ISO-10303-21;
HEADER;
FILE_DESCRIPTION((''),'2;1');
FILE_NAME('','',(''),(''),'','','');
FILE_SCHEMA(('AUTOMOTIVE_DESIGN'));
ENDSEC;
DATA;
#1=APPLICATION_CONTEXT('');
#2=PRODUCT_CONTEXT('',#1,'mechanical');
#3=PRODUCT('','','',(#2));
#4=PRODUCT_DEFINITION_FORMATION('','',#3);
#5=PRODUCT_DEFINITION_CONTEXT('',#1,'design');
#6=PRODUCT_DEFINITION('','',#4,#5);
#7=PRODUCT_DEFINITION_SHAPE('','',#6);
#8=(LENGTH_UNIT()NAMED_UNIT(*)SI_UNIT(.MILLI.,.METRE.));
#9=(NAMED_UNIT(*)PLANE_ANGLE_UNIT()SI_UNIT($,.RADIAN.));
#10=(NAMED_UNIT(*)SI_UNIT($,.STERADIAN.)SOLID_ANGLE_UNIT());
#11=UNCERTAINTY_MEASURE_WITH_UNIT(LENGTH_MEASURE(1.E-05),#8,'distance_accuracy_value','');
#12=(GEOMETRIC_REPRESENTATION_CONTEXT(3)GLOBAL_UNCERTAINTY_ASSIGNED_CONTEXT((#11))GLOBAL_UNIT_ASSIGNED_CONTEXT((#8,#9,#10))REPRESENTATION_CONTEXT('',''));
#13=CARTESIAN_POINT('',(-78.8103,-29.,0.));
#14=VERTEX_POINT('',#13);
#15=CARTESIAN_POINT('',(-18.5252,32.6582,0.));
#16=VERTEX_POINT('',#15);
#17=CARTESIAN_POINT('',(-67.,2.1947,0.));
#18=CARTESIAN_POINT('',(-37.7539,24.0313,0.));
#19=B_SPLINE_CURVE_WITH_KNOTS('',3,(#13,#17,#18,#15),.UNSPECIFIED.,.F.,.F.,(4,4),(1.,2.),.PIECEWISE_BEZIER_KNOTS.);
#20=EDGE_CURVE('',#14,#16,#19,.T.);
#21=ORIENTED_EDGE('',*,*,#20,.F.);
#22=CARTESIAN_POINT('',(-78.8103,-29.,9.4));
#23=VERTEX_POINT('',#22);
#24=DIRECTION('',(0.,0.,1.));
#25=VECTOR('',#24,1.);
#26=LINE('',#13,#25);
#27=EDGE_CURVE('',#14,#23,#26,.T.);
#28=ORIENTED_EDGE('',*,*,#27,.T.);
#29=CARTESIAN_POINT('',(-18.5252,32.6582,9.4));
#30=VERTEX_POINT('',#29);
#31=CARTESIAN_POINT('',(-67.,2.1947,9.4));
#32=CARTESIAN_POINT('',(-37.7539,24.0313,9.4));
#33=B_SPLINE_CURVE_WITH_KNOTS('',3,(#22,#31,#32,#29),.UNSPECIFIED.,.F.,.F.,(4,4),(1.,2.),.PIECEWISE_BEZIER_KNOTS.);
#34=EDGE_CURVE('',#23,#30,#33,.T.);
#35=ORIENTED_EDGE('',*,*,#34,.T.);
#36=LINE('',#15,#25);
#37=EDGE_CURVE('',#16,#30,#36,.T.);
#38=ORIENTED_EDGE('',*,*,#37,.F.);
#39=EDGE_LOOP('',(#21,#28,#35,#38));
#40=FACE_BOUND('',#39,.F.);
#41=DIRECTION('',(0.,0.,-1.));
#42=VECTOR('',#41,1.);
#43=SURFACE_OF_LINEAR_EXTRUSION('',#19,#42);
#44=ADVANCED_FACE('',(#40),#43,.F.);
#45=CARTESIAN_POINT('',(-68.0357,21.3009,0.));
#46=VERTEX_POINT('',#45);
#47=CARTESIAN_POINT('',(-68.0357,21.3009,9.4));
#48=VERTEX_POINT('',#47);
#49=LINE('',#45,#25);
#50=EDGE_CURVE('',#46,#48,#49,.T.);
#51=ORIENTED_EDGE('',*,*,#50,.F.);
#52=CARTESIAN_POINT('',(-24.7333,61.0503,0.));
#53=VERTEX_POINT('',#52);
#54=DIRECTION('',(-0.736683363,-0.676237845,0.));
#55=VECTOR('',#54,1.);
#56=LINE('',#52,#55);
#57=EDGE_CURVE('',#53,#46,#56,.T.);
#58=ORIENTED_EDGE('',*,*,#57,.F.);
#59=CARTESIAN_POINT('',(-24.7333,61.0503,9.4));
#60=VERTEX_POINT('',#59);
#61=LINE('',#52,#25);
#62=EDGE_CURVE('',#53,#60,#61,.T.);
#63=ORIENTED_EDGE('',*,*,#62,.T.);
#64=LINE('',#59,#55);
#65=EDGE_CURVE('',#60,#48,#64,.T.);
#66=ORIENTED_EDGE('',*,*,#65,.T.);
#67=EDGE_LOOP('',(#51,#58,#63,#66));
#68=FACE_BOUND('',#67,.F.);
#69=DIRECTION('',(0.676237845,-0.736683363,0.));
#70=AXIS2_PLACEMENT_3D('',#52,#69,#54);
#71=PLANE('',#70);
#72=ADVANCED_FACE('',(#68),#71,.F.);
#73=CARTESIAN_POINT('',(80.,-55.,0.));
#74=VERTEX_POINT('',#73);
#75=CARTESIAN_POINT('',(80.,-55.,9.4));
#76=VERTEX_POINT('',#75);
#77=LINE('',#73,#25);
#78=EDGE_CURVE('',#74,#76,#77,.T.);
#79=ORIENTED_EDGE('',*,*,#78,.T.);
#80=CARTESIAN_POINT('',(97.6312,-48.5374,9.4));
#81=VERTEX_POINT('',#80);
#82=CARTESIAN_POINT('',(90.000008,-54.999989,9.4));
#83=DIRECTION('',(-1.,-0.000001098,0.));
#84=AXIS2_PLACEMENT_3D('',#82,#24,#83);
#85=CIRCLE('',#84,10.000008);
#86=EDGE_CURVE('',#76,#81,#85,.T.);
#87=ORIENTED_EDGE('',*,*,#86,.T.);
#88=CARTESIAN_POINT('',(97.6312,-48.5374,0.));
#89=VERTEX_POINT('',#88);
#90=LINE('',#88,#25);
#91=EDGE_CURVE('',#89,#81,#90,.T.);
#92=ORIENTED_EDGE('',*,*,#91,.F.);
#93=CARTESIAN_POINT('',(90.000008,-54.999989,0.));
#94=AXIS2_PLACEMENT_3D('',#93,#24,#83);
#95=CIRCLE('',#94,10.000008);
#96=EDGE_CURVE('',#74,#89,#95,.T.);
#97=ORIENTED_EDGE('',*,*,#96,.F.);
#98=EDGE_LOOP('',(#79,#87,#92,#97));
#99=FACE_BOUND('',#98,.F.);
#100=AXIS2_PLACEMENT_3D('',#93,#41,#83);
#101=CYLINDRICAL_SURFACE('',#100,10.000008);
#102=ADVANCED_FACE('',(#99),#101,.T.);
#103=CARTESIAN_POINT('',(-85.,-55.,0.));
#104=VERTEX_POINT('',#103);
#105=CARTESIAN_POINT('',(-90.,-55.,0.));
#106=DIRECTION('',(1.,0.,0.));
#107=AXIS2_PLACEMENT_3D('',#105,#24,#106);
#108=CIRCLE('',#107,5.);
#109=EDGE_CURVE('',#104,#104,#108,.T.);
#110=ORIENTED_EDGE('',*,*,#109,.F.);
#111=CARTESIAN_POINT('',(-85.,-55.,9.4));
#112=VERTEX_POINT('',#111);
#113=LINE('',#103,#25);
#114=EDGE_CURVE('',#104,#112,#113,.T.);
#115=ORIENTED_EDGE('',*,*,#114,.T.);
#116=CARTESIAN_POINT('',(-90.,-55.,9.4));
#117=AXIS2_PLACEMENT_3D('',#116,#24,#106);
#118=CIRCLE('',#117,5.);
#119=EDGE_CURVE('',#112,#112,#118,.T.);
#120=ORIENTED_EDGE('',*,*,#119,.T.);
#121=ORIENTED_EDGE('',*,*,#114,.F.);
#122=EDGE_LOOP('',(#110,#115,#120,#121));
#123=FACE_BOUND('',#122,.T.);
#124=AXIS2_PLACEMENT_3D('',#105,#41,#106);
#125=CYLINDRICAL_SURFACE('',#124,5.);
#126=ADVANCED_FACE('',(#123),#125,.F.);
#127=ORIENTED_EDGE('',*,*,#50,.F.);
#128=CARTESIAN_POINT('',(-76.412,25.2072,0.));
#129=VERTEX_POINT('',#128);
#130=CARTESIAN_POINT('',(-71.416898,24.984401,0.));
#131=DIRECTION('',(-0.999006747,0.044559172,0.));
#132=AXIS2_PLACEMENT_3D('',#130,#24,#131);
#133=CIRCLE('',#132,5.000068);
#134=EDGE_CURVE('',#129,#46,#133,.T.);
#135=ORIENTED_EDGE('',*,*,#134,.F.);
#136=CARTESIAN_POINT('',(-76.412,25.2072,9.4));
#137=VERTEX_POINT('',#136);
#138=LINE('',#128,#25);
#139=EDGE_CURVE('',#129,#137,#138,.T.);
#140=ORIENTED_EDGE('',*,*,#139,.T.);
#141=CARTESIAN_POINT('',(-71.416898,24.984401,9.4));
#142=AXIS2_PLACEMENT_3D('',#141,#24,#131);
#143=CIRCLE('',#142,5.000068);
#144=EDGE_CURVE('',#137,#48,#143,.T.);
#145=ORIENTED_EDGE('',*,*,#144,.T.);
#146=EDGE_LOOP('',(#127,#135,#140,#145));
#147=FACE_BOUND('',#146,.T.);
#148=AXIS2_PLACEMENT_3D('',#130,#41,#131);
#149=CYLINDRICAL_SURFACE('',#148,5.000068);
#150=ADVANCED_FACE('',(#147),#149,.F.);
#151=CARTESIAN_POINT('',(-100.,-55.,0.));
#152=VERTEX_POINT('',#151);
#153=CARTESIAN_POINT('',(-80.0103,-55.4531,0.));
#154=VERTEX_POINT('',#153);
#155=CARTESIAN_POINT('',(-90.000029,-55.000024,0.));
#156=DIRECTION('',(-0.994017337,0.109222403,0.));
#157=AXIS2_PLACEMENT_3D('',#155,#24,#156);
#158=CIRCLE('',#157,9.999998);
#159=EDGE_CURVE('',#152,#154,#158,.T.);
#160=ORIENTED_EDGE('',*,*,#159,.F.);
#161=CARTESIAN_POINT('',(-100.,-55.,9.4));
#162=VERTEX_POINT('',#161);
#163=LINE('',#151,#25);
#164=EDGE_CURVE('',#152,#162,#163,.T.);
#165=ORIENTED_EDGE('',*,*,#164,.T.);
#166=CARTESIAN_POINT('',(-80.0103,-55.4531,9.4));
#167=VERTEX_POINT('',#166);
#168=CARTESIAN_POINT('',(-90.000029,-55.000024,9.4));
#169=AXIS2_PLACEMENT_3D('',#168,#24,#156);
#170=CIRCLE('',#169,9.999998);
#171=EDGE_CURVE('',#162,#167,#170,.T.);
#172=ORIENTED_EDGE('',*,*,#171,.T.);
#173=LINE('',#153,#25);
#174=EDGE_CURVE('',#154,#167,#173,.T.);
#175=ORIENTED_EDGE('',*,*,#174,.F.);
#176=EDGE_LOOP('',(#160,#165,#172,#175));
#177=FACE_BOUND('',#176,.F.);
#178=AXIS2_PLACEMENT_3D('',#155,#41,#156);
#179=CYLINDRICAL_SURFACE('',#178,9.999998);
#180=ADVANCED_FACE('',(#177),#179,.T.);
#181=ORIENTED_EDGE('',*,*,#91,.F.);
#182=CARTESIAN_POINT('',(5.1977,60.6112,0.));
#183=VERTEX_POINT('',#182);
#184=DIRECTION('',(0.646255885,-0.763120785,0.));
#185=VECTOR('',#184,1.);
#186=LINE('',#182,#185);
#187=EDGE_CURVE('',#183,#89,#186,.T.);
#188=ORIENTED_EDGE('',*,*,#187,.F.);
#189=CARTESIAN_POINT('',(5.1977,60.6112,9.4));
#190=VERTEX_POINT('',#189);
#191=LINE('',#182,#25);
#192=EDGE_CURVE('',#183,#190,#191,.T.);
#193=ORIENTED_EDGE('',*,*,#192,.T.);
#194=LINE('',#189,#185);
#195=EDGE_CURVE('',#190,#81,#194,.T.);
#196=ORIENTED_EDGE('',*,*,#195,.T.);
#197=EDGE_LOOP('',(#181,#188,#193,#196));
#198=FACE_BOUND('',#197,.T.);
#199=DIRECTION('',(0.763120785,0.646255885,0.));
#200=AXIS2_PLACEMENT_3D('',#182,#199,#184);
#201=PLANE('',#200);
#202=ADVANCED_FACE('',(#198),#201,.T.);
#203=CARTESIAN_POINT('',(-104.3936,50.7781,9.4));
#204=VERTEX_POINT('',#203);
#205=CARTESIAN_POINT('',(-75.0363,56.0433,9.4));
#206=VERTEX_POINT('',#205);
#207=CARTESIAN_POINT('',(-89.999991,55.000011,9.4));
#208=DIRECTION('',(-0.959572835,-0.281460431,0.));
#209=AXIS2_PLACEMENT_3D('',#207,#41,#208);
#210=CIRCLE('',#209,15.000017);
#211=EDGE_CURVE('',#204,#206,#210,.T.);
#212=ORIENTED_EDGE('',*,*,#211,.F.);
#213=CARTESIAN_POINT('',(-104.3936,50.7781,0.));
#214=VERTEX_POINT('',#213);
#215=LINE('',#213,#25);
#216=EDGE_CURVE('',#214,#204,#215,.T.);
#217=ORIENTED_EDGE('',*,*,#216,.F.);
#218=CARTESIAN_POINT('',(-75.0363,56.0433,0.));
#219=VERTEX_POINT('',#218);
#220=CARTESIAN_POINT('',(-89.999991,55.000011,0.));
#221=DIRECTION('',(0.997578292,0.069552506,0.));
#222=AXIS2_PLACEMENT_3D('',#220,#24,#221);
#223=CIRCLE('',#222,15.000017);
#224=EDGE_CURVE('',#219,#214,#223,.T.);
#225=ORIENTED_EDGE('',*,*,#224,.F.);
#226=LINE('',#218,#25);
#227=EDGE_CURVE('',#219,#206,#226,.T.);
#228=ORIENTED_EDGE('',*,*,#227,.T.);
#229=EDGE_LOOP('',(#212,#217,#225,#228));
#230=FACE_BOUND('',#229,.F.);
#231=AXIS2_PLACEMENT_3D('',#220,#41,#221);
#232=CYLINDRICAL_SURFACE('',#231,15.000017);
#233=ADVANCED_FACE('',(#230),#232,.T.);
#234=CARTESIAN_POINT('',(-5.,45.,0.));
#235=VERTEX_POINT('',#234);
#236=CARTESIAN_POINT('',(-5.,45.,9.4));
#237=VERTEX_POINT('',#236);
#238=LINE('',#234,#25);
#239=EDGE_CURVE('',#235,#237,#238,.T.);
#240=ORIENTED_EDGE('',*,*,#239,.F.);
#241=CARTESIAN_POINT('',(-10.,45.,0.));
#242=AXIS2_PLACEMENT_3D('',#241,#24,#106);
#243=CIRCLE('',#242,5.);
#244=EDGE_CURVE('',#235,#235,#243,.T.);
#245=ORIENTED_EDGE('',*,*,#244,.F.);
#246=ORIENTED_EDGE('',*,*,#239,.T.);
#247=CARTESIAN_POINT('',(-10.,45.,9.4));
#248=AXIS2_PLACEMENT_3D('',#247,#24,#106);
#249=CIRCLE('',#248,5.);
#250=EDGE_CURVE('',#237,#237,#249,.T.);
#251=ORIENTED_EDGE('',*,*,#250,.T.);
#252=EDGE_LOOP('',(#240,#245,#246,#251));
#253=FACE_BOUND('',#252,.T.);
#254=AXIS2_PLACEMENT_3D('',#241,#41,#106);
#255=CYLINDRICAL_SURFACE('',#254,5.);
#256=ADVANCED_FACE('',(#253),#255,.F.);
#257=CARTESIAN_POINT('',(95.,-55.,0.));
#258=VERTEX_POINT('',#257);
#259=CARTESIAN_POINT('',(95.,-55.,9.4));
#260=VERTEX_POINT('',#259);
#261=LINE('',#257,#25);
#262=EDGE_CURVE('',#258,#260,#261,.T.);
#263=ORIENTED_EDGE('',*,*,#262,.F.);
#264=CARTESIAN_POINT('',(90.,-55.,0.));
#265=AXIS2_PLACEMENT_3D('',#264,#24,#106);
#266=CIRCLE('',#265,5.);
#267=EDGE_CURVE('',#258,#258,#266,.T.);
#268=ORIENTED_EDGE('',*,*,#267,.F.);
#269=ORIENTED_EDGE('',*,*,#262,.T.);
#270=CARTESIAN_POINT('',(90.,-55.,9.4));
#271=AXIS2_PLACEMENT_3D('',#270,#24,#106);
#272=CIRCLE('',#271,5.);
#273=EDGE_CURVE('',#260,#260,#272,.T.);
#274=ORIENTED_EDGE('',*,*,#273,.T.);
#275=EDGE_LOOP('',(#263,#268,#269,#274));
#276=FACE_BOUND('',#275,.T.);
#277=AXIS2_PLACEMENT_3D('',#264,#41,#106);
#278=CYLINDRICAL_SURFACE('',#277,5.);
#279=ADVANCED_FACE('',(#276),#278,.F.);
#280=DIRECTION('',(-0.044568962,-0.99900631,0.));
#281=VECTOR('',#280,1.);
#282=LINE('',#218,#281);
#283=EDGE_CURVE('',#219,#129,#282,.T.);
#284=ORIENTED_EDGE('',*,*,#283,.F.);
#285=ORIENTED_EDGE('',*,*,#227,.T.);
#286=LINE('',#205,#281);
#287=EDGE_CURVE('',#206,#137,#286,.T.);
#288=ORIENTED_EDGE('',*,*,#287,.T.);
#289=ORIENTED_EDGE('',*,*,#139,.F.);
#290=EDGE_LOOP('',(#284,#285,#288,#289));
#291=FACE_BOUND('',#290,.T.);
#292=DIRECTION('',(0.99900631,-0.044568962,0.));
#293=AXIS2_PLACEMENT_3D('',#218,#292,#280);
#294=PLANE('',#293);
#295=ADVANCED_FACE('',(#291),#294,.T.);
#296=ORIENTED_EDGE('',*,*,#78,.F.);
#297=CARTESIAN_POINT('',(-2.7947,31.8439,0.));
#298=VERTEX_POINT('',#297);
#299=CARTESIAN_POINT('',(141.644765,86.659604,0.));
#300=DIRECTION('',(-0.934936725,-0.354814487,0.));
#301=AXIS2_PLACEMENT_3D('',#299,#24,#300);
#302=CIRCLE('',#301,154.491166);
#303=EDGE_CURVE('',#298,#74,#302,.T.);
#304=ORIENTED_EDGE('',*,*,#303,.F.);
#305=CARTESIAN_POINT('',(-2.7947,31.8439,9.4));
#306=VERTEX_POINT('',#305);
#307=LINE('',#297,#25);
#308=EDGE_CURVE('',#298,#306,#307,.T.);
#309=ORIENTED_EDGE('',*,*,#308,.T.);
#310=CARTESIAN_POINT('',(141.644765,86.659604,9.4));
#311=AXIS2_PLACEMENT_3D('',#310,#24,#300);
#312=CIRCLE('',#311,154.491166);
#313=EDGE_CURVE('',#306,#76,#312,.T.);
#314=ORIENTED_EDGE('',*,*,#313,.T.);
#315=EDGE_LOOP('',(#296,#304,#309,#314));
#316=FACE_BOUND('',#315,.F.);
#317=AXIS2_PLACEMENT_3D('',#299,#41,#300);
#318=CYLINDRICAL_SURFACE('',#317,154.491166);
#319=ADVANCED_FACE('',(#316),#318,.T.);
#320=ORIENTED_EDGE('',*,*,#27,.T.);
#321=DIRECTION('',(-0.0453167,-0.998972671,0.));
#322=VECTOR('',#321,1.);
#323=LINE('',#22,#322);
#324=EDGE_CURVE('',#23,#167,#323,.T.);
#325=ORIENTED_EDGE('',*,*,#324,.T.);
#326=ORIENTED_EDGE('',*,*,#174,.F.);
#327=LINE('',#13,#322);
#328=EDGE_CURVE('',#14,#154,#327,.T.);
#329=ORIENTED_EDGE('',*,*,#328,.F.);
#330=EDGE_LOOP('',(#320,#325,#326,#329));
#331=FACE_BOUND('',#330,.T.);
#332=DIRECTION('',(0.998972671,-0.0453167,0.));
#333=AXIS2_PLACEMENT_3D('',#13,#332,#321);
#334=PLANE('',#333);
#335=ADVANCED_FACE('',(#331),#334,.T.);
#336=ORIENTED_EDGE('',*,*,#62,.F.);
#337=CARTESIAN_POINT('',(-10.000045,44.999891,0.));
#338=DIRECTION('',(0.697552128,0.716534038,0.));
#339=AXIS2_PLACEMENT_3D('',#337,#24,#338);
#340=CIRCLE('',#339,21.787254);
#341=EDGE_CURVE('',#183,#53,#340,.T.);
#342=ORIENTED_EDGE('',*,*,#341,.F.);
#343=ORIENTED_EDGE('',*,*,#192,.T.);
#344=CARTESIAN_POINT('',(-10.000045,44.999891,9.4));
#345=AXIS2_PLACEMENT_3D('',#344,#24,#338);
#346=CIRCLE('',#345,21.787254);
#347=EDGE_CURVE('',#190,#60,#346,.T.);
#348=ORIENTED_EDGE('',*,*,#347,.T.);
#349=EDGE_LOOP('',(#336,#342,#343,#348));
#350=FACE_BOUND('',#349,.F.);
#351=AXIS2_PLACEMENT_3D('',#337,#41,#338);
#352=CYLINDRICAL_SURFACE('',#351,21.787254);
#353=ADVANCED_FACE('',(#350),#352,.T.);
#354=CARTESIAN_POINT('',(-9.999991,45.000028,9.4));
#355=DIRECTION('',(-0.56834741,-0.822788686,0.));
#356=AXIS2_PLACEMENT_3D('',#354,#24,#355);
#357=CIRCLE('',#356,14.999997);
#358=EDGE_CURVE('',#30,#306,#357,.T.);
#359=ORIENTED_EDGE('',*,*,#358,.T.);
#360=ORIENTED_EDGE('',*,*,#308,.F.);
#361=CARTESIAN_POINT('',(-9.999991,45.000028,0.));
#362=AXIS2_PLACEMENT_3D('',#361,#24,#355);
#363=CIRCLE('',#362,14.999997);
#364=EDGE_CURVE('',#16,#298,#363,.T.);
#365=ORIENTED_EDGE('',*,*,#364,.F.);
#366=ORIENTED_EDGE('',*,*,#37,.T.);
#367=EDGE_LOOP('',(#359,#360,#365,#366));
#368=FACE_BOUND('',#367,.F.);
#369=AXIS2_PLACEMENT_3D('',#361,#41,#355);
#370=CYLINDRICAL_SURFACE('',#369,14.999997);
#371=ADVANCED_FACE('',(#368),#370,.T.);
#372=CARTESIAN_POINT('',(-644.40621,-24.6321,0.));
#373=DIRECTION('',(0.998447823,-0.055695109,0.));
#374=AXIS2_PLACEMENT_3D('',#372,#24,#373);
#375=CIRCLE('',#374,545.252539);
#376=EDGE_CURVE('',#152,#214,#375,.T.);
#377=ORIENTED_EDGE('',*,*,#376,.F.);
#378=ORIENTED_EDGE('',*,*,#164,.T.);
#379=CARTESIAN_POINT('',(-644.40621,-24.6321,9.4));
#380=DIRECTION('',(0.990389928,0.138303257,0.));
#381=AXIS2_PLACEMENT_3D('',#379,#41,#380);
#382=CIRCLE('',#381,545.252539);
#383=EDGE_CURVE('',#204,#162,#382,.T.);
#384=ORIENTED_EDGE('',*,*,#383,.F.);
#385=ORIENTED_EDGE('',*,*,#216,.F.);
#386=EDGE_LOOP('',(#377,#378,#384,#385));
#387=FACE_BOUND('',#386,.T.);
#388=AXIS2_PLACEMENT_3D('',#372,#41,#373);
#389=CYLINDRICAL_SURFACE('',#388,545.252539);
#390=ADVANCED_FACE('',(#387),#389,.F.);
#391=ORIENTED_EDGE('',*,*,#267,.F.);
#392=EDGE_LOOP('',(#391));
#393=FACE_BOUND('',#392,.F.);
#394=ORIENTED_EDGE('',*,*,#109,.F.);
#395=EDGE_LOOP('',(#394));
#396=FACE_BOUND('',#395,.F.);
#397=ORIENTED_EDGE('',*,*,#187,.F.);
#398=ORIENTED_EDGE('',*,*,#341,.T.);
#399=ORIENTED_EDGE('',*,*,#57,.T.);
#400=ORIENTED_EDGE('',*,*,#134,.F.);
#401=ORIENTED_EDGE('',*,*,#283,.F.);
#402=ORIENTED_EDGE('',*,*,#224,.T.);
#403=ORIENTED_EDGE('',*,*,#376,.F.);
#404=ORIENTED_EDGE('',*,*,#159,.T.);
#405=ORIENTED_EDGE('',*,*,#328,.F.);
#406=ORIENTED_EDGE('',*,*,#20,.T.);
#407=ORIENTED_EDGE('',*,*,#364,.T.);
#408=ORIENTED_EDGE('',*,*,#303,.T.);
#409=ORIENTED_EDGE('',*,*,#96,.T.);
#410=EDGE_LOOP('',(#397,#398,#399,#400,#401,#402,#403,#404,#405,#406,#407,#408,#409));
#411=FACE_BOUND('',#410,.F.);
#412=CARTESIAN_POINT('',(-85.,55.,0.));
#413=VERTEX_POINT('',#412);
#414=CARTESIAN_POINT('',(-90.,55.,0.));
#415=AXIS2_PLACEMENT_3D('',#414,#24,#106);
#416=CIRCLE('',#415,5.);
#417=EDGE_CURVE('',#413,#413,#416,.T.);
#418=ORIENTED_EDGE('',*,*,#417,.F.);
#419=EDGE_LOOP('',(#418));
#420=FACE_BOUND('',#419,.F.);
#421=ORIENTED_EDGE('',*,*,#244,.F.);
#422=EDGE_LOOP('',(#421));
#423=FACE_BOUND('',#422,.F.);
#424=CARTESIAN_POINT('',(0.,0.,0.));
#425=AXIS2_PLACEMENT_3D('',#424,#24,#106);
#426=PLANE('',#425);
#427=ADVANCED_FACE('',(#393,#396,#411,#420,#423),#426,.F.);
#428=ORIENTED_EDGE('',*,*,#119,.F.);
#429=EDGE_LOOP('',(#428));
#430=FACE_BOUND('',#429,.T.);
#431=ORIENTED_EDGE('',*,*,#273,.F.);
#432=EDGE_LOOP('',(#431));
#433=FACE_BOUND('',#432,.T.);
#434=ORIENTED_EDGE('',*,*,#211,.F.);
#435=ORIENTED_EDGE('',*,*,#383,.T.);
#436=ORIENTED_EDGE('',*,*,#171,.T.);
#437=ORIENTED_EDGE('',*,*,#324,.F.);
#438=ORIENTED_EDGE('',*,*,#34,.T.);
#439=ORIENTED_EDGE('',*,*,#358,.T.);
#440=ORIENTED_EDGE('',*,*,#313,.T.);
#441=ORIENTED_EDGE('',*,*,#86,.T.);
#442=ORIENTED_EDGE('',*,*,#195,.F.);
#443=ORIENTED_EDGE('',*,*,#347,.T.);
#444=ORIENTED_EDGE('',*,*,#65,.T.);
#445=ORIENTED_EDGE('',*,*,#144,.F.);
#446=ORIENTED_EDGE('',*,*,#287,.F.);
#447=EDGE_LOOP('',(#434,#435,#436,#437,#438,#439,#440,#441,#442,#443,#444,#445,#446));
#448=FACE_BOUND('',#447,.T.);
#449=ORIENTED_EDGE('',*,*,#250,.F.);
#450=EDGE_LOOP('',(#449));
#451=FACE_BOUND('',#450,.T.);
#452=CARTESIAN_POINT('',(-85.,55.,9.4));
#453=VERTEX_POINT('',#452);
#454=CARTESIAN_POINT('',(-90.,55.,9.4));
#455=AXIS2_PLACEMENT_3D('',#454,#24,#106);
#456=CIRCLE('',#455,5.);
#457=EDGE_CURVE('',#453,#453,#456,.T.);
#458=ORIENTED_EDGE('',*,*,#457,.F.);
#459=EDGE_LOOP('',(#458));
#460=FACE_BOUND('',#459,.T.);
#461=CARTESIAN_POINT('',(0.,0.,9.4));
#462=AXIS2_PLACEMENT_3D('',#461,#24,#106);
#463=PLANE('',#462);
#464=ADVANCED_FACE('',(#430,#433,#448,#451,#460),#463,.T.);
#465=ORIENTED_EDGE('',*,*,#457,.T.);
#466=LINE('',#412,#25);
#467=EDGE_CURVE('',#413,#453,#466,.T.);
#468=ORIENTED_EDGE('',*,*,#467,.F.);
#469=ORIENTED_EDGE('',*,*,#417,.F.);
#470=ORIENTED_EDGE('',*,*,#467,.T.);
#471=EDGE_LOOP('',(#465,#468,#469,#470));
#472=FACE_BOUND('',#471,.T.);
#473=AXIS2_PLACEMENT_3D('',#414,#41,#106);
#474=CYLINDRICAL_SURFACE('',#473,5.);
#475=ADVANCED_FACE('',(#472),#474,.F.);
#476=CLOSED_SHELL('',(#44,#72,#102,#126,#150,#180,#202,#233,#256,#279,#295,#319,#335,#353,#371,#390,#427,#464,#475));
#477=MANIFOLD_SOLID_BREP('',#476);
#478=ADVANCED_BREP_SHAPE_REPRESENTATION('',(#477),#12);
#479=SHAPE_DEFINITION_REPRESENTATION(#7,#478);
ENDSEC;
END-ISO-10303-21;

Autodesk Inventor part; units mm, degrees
ref_plane "YZ Plane" through (0, 0, 0) normal (1, 0, 0) x (0, 1, 0)
ref_plane "XZ Plane" through (0, 0, 0) normal (0, 1, 0) x (-1, 0, 0)
ref_plane "XY Plane" through (0, 0, 0) normal (0, 0, 1) x (1, 0, 0)
sketch "Sketch1" plane through (0, 0, 0) normal (0, 0, 1) x (1, 0, 0)
  line L0 (-110, 70) -> (110, 70) construction
  line L1 (110, 70) -> (110, -70) construction
  line L2 (110, -70) -> (-110, -70) construction
  line L3 (-110, -70) -> (-110, 70) construction
  circle A0 centre (-90, 55) radius 5
  circle A1 centre (-90, -55) radius 5
  circle A2 centre (90, -55) radius 5
  circle A3 centre (-10, 45) radius 5
  line L4 (-67, 0) -> (-42, 0) construction
  line L5 (-42, 0) -> (-42, -30) construction
  line L6 (-42, -30) -> (-67, -30) construction
  line L7 (-67, -30) -> (-67, 0) construction
  circle A4 centre (-54.5, -19) radius 10 construction
  arc A5 (-75.0363, 56.0433) -> (-104.3936, 50.7781) centre (-90, 55) ccw
  arc A6 (-99.9402, -53.9078) -> (-80.0103, -55.4531) centre (-90, -55) ccw
  arc A7 (-100, -55) -> (-105, 55) centre (-644.4063, -24.6321) ccw
  line L8 (-78.8103, -29) -> (-67, 2.1947) construction
  line L9 (-67, 2.1947) -> (-37.7539, 24.0313) construction
  line L10 (-37.7539, 24.0313) -> (-18.5252, 32.6582) construction
  spline S0 degree 3 poles (-78.8103, -29) (-67, 2.1947) (-37.7539, 24.0313) (-18.5252, 32.6582) knots 1 1 1 1 2 2 2 2
  line L11 (-24.7333, 61.0503) -> (-68.0357, 21.3009)
  line L12 (-75.0363, 56.0433) -> (-76.412, 25.2072)
  line L13 (-78.8103, -29) -> (-80.0103, -55.4531)
  arc A8 (80, -55) -> (97.6312, -48.5374) centre (90, -55) ccw
  line L14 (5.1977, 60.6112) -> (97.6312, -48.5374)
  arc A9 (-2.7947, 31.8439) -> (80, -55) centre (141.6446, 86.6595) ccw
  arc A10 (-18.5252, 32.6582) -> (-2.7947, 31.8439) centre (-10, 45) ccw
  arc A11 (5.1977, 60.6112) -> (-24.7333, 61.0503) centre (-10, 45) ccw
  arc A12 (-76.412, 25.2072) -> (-68.0357, 21.3009) centre (-71.4169, 24.9844) ccw
  point P0 (0, 0)
  dimension "d1" = 70
  dimension "d2" = 70
  dimension "d3" = 110
  dimension "d4" = 110
  dimension "d5" = 10
  dimension "d6" = 10
  dimension "d7" = 10
  dimension "d8" = 10
  dimension "d9" = 55
  dimension "d10" = 55
  dimension "d11" = 55
  dimension "d12" = 180
  dimension "d13" = 90
  dimension "d15" = 10
  dimension "d16" = 45
  dimension "d17" = 42
  dimension "d18" = 30
  dimension "d19" = 0
  dimension "d20" = 25
  dimension "d21" = 20
  dimension "d25" = 19
  dimension "d26" = 12.5
  dimension "d67" = 90
  dimension "d68" = 30
  dimension "d70" = 20
  dimension "d71" = 20
  dimension "d74" = 10
extrude "Extrusion6" add sketch "Sketch1" along normal blind 9.4 contours L12 A12 L11 A11 L14 A8 A9 A10 S0 L13 A6 A7 A5 | A7 A5
equation "\"d1\" = d2"
equation "\"d4\" = d3"
equation "\"d10\" = d9"
equation "\"d11\" = d9"
equation "\"d26\" = 0.5 * d20"
properties part number "Bracket Concept MK8"
